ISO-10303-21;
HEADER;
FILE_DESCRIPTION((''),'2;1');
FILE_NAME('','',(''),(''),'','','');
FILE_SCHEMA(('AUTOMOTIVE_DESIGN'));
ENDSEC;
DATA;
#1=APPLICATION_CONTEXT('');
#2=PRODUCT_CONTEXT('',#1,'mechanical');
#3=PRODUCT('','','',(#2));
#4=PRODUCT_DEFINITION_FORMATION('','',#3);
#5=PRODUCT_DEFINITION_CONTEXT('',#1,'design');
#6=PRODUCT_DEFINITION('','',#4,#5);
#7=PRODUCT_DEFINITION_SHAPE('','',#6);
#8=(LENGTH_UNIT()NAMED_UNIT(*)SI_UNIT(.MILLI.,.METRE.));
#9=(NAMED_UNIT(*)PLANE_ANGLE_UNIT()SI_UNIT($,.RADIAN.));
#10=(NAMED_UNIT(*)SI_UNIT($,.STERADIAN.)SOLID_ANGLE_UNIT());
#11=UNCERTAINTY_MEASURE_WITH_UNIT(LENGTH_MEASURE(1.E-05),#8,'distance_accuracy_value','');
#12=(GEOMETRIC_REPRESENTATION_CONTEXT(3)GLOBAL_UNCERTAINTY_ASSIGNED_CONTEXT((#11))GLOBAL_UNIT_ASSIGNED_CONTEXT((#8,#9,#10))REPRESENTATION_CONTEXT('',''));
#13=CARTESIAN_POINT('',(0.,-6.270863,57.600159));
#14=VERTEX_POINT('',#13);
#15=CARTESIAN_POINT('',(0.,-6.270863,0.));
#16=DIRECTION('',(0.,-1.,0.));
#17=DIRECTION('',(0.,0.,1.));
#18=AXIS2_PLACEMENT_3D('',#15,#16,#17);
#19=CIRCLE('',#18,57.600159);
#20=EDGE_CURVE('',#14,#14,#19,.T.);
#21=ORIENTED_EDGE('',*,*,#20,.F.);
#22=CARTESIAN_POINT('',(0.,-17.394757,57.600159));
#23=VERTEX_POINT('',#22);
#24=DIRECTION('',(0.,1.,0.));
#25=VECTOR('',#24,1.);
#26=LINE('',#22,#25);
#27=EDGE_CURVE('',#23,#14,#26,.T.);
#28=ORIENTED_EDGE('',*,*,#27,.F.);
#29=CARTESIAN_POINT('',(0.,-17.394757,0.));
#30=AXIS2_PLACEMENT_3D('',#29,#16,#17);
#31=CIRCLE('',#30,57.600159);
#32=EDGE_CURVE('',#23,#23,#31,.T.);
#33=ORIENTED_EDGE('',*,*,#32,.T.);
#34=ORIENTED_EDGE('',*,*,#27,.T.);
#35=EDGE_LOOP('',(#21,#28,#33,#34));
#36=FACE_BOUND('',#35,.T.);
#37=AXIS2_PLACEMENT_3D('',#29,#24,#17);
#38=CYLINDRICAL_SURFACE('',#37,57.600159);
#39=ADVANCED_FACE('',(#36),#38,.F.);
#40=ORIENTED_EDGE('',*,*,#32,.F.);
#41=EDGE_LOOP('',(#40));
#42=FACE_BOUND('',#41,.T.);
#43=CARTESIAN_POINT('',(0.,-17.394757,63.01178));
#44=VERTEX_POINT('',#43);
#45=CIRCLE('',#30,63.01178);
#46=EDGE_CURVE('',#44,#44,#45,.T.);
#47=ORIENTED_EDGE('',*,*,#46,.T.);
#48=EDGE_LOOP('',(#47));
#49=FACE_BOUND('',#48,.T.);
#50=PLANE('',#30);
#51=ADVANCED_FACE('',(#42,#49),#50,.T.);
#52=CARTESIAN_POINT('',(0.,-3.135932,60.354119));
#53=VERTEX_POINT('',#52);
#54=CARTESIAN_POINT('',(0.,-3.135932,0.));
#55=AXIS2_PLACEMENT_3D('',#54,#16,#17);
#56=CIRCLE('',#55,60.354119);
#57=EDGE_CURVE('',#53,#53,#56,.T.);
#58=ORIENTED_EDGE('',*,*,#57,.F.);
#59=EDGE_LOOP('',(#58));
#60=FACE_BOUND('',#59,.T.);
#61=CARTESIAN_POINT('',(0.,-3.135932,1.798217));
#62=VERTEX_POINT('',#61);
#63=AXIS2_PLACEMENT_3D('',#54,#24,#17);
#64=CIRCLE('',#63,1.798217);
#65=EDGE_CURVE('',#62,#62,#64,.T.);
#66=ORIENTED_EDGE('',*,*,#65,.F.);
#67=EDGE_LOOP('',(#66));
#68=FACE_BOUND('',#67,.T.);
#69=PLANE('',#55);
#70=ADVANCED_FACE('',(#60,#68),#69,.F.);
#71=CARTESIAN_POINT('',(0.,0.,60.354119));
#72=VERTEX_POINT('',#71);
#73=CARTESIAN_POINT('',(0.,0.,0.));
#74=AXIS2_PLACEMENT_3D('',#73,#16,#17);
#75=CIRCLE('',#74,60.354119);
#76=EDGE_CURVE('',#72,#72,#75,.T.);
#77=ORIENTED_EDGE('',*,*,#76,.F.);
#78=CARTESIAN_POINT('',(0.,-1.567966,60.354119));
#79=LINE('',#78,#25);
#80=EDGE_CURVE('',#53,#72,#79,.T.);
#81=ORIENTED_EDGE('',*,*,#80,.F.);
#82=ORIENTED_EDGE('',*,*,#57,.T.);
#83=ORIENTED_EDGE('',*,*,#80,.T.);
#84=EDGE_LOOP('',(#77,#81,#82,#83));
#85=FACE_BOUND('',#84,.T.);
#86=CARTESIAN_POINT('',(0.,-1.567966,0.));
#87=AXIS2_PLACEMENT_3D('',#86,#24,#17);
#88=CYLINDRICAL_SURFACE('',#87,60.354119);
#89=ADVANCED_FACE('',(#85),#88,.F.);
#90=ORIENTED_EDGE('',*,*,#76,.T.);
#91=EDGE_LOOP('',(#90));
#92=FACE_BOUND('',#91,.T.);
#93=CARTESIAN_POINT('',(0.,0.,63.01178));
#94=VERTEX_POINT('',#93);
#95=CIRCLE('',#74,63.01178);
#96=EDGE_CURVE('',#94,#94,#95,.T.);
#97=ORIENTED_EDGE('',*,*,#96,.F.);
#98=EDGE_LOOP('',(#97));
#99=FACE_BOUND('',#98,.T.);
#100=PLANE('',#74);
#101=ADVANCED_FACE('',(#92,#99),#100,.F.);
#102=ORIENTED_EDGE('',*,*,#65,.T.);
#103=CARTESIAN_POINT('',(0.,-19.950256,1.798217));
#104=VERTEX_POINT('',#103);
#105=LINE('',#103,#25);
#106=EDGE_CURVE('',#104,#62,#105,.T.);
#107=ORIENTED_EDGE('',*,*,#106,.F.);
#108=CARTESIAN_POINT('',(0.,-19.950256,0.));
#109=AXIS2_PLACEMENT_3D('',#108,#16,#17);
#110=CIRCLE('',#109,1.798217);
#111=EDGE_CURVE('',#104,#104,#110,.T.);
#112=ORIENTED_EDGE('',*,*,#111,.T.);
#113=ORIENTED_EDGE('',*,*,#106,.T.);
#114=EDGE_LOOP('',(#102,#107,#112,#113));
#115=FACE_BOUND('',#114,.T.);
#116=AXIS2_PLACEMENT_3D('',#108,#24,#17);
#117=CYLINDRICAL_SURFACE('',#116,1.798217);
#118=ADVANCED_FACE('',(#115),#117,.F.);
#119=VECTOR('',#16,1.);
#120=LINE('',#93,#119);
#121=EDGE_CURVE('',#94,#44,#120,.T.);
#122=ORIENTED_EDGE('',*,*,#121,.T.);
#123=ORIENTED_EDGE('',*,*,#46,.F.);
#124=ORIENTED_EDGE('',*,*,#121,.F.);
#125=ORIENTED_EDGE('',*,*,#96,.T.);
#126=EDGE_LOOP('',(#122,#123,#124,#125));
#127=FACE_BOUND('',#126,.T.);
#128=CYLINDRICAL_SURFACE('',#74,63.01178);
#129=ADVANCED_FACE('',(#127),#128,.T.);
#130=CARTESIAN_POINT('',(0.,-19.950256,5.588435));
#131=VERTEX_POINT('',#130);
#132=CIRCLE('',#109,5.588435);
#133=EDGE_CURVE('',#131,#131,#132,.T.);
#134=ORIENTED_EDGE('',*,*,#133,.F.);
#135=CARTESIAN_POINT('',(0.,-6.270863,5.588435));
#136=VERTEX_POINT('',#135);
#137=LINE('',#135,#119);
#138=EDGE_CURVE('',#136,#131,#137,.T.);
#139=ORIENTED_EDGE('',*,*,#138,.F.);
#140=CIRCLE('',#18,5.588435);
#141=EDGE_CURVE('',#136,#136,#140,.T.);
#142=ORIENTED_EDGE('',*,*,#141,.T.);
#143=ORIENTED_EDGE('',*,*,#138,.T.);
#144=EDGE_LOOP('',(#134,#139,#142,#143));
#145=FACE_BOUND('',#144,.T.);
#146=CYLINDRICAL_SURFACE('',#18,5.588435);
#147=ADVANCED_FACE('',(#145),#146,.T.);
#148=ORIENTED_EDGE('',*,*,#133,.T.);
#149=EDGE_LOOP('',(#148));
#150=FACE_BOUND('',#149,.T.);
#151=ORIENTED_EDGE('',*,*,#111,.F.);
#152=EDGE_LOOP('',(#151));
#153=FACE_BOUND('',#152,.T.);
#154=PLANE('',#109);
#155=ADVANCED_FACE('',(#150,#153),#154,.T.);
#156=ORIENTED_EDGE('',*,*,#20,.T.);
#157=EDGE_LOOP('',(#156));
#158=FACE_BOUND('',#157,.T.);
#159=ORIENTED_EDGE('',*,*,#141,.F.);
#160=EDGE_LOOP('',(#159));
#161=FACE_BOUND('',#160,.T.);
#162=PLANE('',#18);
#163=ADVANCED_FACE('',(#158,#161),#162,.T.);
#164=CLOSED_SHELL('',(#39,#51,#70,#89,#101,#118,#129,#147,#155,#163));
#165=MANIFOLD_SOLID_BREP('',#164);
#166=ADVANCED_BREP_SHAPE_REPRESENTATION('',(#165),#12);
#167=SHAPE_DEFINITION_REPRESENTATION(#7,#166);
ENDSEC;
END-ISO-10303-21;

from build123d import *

# Parameters (mm, degrees)
F3_W = 3.1359323766
F3_H = 60.3541191667


with BuildPart() as f2:
    # F0 (on Right) → F2 (revolve)
    with BuildSketch(Plane.YZ):
        Polygon((0, 1.7982171848), (0, 63.0117803812), (-17.3947568983, 63.0117803812), (-17.3947568983, 57.600159198), (-6.2708631158, 57.600159198), (-6.2708631158, 40.162704885), (-6.2708631158, 5.5884346366), (-19.9502557516, 5.5884346366), (-19.9502557516, 1.7982171848), align=None)
    revolve(axis=Axis((0, -6.3099395484, 0), (0, -1, 0)))

    # F3 (on Right) → F4 (revolve, cut)
    with BuildSketch(Plane.YZ):
        with Locations((-1.5679661883, 30.1770595834)):
            Rectangle(F3_W, F3_H)
    revolve(axis=Axis((0, -6.3099395484, 0), (0, -1, 0)), mode=Mode.SUBTRACT)


solid = f2.part
